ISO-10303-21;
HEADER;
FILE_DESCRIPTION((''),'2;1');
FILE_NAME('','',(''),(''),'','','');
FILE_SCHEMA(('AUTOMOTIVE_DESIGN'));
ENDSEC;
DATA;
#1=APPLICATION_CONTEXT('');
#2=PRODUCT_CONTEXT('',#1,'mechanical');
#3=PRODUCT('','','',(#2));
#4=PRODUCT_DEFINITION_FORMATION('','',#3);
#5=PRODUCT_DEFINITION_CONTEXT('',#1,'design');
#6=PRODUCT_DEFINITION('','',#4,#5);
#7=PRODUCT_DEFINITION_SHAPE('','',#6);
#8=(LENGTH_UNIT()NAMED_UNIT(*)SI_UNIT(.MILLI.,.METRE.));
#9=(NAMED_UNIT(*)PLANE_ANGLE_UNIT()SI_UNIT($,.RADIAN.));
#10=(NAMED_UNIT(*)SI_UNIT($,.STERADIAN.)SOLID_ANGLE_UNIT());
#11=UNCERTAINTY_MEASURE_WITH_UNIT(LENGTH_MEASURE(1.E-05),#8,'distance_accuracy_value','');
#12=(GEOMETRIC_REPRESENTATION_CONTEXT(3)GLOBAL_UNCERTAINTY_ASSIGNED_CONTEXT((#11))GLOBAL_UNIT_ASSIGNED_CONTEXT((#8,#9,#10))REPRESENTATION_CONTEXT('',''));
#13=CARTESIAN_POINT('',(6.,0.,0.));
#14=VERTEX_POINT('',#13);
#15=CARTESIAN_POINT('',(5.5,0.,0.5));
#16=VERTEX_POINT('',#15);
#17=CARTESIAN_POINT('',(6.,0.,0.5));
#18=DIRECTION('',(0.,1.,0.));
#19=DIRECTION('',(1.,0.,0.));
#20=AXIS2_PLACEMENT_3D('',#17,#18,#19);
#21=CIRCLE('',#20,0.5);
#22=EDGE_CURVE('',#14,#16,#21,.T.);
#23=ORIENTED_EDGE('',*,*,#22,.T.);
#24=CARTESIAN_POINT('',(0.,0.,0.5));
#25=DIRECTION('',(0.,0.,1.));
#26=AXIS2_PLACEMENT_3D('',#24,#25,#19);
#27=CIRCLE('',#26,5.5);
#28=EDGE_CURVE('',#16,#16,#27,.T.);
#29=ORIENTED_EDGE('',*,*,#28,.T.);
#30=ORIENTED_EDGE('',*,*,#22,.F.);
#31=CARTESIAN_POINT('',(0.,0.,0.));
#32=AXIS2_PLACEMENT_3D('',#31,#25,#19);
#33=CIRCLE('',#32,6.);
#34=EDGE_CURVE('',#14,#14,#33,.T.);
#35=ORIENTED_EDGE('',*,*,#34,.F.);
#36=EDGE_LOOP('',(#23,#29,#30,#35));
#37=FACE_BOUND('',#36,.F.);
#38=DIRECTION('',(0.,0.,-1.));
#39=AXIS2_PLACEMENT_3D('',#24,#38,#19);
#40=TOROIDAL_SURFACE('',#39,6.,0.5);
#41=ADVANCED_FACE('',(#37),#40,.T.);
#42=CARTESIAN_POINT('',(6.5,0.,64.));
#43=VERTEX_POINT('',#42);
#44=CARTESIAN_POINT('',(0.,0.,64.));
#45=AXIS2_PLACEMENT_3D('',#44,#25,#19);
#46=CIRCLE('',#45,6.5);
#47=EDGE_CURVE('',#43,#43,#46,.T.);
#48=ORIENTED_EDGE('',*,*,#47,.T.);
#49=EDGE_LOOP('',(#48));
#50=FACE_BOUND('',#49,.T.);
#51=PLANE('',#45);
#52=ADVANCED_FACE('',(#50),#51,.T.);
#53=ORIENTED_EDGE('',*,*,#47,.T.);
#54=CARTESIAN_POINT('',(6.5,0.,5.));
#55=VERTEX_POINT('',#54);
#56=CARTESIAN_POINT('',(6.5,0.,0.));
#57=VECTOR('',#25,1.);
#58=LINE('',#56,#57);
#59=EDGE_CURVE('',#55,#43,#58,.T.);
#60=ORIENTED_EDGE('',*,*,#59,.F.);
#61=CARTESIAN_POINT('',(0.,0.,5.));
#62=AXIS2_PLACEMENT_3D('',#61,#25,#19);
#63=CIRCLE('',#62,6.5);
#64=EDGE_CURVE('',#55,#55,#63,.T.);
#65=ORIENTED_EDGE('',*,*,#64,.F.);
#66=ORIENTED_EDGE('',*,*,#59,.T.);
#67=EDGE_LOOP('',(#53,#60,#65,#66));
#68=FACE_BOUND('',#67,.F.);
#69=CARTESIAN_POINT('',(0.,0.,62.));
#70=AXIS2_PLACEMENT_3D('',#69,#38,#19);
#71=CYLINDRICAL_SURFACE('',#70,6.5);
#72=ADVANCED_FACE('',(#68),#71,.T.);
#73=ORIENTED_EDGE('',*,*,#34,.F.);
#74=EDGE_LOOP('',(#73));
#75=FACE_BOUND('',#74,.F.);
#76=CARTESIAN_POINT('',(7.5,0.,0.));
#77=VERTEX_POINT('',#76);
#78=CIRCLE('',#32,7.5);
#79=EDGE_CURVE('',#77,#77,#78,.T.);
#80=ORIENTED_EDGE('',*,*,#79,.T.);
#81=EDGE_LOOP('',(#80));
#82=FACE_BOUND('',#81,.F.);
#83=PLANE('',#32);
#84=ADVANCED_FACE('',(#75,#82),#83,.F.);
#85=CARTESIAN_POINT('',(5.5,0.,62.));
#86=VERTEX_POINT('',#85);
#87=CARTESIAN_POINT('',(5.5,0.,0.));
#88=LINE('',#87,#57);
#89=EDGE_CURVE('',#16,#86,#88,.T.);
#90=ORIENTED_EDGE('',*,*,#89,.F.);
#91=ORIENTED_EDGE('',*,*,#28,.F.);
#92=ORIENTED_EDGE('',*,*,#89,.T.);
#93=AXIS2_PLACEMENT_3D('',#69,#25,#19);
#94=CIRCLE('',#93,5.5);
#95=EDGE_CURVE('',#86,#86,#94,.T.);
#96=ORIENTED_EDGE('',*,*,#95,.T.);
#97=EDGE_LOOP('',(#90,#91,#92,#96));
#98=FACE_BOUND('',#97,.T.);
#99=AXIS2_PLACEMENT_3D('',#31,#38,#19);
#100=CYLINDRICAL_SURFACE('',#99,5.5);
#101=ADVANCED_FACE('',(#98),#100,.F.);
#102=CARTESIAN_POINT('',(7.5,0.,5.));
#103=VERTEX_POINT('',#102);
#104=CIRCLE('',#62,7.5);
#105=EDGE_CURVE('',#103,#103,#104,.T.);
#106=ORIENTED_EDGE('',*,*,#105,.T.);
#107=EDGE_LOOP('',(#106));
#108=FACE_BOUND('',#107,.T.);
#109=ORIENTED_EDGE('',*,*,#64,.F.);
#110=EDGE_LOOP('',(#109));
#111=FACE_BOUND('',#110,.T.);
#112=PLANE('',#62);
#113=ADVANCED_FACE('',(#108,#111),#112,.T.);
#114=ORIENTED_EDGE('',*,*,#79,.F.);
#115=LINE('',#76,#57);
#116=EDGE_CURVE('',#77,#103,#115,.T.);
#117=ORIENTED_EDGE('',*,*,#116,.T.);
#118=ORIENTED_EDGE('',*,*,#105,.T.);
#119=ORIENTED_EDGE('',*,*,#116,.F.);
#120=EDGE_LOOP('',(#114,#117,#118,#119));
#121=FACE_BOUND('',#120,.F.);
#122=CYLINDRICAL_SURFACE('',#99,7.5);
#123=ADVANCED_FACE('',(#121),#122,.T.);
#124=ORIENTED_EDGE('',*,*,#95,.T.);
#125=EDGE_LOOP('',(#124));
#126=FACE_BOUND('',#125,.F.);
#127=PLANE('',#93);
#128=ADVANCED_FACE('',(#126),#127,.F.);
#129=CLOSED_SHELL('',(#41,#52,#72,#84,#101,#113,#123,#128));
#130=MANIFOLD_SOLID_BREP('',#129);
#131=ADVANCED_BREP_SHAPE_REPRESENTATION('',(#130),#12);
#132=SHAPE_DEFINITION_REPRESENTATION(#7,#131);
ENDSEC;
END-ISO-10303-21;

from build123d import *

# Parameters (mm, degrees)
F0_R     = 6.5
F0_R_2   = 5.5
F1_DEPTH = 62
F2_R     = 6.5
F3_DEPTH = 2
F4_R     = 7.5
F4_R_2   = 6.5
F5_DEPTH = 5
F6_R     = 0.5


with BuildPart() as f1:
    # F0 (on Top) → F1 (new body)
    with BuildSketch(Plane.XY):
        Circle(F0_R)
        Circle(F0_R_2, mode=Mode.SUBTRACT)
    extrude(amount=F1_DEPTH)

    # F2 (on face) → F3 (join)
    with BuildSketch(Plane.XY.offset(62)):
        Circle(F2_R)
    extrude(amount=F3_DEPTH)

    # F4 (on Top) → F5 (join)
    with BuildSketch(Plane.XY):
        Circle(F4_R)
        Circle(F4_R_2, mode=Mode.SUBTRACT)
    extrude(amount=F5_DEPTH)

    # F6
    f6_edges = [f1.edges().sort_by_distance(p)[0] for p in [
        (-5.5, 0, 0),
    ]]
    fillet(f6_edges, radius=F6_R)


solid = f1.part
